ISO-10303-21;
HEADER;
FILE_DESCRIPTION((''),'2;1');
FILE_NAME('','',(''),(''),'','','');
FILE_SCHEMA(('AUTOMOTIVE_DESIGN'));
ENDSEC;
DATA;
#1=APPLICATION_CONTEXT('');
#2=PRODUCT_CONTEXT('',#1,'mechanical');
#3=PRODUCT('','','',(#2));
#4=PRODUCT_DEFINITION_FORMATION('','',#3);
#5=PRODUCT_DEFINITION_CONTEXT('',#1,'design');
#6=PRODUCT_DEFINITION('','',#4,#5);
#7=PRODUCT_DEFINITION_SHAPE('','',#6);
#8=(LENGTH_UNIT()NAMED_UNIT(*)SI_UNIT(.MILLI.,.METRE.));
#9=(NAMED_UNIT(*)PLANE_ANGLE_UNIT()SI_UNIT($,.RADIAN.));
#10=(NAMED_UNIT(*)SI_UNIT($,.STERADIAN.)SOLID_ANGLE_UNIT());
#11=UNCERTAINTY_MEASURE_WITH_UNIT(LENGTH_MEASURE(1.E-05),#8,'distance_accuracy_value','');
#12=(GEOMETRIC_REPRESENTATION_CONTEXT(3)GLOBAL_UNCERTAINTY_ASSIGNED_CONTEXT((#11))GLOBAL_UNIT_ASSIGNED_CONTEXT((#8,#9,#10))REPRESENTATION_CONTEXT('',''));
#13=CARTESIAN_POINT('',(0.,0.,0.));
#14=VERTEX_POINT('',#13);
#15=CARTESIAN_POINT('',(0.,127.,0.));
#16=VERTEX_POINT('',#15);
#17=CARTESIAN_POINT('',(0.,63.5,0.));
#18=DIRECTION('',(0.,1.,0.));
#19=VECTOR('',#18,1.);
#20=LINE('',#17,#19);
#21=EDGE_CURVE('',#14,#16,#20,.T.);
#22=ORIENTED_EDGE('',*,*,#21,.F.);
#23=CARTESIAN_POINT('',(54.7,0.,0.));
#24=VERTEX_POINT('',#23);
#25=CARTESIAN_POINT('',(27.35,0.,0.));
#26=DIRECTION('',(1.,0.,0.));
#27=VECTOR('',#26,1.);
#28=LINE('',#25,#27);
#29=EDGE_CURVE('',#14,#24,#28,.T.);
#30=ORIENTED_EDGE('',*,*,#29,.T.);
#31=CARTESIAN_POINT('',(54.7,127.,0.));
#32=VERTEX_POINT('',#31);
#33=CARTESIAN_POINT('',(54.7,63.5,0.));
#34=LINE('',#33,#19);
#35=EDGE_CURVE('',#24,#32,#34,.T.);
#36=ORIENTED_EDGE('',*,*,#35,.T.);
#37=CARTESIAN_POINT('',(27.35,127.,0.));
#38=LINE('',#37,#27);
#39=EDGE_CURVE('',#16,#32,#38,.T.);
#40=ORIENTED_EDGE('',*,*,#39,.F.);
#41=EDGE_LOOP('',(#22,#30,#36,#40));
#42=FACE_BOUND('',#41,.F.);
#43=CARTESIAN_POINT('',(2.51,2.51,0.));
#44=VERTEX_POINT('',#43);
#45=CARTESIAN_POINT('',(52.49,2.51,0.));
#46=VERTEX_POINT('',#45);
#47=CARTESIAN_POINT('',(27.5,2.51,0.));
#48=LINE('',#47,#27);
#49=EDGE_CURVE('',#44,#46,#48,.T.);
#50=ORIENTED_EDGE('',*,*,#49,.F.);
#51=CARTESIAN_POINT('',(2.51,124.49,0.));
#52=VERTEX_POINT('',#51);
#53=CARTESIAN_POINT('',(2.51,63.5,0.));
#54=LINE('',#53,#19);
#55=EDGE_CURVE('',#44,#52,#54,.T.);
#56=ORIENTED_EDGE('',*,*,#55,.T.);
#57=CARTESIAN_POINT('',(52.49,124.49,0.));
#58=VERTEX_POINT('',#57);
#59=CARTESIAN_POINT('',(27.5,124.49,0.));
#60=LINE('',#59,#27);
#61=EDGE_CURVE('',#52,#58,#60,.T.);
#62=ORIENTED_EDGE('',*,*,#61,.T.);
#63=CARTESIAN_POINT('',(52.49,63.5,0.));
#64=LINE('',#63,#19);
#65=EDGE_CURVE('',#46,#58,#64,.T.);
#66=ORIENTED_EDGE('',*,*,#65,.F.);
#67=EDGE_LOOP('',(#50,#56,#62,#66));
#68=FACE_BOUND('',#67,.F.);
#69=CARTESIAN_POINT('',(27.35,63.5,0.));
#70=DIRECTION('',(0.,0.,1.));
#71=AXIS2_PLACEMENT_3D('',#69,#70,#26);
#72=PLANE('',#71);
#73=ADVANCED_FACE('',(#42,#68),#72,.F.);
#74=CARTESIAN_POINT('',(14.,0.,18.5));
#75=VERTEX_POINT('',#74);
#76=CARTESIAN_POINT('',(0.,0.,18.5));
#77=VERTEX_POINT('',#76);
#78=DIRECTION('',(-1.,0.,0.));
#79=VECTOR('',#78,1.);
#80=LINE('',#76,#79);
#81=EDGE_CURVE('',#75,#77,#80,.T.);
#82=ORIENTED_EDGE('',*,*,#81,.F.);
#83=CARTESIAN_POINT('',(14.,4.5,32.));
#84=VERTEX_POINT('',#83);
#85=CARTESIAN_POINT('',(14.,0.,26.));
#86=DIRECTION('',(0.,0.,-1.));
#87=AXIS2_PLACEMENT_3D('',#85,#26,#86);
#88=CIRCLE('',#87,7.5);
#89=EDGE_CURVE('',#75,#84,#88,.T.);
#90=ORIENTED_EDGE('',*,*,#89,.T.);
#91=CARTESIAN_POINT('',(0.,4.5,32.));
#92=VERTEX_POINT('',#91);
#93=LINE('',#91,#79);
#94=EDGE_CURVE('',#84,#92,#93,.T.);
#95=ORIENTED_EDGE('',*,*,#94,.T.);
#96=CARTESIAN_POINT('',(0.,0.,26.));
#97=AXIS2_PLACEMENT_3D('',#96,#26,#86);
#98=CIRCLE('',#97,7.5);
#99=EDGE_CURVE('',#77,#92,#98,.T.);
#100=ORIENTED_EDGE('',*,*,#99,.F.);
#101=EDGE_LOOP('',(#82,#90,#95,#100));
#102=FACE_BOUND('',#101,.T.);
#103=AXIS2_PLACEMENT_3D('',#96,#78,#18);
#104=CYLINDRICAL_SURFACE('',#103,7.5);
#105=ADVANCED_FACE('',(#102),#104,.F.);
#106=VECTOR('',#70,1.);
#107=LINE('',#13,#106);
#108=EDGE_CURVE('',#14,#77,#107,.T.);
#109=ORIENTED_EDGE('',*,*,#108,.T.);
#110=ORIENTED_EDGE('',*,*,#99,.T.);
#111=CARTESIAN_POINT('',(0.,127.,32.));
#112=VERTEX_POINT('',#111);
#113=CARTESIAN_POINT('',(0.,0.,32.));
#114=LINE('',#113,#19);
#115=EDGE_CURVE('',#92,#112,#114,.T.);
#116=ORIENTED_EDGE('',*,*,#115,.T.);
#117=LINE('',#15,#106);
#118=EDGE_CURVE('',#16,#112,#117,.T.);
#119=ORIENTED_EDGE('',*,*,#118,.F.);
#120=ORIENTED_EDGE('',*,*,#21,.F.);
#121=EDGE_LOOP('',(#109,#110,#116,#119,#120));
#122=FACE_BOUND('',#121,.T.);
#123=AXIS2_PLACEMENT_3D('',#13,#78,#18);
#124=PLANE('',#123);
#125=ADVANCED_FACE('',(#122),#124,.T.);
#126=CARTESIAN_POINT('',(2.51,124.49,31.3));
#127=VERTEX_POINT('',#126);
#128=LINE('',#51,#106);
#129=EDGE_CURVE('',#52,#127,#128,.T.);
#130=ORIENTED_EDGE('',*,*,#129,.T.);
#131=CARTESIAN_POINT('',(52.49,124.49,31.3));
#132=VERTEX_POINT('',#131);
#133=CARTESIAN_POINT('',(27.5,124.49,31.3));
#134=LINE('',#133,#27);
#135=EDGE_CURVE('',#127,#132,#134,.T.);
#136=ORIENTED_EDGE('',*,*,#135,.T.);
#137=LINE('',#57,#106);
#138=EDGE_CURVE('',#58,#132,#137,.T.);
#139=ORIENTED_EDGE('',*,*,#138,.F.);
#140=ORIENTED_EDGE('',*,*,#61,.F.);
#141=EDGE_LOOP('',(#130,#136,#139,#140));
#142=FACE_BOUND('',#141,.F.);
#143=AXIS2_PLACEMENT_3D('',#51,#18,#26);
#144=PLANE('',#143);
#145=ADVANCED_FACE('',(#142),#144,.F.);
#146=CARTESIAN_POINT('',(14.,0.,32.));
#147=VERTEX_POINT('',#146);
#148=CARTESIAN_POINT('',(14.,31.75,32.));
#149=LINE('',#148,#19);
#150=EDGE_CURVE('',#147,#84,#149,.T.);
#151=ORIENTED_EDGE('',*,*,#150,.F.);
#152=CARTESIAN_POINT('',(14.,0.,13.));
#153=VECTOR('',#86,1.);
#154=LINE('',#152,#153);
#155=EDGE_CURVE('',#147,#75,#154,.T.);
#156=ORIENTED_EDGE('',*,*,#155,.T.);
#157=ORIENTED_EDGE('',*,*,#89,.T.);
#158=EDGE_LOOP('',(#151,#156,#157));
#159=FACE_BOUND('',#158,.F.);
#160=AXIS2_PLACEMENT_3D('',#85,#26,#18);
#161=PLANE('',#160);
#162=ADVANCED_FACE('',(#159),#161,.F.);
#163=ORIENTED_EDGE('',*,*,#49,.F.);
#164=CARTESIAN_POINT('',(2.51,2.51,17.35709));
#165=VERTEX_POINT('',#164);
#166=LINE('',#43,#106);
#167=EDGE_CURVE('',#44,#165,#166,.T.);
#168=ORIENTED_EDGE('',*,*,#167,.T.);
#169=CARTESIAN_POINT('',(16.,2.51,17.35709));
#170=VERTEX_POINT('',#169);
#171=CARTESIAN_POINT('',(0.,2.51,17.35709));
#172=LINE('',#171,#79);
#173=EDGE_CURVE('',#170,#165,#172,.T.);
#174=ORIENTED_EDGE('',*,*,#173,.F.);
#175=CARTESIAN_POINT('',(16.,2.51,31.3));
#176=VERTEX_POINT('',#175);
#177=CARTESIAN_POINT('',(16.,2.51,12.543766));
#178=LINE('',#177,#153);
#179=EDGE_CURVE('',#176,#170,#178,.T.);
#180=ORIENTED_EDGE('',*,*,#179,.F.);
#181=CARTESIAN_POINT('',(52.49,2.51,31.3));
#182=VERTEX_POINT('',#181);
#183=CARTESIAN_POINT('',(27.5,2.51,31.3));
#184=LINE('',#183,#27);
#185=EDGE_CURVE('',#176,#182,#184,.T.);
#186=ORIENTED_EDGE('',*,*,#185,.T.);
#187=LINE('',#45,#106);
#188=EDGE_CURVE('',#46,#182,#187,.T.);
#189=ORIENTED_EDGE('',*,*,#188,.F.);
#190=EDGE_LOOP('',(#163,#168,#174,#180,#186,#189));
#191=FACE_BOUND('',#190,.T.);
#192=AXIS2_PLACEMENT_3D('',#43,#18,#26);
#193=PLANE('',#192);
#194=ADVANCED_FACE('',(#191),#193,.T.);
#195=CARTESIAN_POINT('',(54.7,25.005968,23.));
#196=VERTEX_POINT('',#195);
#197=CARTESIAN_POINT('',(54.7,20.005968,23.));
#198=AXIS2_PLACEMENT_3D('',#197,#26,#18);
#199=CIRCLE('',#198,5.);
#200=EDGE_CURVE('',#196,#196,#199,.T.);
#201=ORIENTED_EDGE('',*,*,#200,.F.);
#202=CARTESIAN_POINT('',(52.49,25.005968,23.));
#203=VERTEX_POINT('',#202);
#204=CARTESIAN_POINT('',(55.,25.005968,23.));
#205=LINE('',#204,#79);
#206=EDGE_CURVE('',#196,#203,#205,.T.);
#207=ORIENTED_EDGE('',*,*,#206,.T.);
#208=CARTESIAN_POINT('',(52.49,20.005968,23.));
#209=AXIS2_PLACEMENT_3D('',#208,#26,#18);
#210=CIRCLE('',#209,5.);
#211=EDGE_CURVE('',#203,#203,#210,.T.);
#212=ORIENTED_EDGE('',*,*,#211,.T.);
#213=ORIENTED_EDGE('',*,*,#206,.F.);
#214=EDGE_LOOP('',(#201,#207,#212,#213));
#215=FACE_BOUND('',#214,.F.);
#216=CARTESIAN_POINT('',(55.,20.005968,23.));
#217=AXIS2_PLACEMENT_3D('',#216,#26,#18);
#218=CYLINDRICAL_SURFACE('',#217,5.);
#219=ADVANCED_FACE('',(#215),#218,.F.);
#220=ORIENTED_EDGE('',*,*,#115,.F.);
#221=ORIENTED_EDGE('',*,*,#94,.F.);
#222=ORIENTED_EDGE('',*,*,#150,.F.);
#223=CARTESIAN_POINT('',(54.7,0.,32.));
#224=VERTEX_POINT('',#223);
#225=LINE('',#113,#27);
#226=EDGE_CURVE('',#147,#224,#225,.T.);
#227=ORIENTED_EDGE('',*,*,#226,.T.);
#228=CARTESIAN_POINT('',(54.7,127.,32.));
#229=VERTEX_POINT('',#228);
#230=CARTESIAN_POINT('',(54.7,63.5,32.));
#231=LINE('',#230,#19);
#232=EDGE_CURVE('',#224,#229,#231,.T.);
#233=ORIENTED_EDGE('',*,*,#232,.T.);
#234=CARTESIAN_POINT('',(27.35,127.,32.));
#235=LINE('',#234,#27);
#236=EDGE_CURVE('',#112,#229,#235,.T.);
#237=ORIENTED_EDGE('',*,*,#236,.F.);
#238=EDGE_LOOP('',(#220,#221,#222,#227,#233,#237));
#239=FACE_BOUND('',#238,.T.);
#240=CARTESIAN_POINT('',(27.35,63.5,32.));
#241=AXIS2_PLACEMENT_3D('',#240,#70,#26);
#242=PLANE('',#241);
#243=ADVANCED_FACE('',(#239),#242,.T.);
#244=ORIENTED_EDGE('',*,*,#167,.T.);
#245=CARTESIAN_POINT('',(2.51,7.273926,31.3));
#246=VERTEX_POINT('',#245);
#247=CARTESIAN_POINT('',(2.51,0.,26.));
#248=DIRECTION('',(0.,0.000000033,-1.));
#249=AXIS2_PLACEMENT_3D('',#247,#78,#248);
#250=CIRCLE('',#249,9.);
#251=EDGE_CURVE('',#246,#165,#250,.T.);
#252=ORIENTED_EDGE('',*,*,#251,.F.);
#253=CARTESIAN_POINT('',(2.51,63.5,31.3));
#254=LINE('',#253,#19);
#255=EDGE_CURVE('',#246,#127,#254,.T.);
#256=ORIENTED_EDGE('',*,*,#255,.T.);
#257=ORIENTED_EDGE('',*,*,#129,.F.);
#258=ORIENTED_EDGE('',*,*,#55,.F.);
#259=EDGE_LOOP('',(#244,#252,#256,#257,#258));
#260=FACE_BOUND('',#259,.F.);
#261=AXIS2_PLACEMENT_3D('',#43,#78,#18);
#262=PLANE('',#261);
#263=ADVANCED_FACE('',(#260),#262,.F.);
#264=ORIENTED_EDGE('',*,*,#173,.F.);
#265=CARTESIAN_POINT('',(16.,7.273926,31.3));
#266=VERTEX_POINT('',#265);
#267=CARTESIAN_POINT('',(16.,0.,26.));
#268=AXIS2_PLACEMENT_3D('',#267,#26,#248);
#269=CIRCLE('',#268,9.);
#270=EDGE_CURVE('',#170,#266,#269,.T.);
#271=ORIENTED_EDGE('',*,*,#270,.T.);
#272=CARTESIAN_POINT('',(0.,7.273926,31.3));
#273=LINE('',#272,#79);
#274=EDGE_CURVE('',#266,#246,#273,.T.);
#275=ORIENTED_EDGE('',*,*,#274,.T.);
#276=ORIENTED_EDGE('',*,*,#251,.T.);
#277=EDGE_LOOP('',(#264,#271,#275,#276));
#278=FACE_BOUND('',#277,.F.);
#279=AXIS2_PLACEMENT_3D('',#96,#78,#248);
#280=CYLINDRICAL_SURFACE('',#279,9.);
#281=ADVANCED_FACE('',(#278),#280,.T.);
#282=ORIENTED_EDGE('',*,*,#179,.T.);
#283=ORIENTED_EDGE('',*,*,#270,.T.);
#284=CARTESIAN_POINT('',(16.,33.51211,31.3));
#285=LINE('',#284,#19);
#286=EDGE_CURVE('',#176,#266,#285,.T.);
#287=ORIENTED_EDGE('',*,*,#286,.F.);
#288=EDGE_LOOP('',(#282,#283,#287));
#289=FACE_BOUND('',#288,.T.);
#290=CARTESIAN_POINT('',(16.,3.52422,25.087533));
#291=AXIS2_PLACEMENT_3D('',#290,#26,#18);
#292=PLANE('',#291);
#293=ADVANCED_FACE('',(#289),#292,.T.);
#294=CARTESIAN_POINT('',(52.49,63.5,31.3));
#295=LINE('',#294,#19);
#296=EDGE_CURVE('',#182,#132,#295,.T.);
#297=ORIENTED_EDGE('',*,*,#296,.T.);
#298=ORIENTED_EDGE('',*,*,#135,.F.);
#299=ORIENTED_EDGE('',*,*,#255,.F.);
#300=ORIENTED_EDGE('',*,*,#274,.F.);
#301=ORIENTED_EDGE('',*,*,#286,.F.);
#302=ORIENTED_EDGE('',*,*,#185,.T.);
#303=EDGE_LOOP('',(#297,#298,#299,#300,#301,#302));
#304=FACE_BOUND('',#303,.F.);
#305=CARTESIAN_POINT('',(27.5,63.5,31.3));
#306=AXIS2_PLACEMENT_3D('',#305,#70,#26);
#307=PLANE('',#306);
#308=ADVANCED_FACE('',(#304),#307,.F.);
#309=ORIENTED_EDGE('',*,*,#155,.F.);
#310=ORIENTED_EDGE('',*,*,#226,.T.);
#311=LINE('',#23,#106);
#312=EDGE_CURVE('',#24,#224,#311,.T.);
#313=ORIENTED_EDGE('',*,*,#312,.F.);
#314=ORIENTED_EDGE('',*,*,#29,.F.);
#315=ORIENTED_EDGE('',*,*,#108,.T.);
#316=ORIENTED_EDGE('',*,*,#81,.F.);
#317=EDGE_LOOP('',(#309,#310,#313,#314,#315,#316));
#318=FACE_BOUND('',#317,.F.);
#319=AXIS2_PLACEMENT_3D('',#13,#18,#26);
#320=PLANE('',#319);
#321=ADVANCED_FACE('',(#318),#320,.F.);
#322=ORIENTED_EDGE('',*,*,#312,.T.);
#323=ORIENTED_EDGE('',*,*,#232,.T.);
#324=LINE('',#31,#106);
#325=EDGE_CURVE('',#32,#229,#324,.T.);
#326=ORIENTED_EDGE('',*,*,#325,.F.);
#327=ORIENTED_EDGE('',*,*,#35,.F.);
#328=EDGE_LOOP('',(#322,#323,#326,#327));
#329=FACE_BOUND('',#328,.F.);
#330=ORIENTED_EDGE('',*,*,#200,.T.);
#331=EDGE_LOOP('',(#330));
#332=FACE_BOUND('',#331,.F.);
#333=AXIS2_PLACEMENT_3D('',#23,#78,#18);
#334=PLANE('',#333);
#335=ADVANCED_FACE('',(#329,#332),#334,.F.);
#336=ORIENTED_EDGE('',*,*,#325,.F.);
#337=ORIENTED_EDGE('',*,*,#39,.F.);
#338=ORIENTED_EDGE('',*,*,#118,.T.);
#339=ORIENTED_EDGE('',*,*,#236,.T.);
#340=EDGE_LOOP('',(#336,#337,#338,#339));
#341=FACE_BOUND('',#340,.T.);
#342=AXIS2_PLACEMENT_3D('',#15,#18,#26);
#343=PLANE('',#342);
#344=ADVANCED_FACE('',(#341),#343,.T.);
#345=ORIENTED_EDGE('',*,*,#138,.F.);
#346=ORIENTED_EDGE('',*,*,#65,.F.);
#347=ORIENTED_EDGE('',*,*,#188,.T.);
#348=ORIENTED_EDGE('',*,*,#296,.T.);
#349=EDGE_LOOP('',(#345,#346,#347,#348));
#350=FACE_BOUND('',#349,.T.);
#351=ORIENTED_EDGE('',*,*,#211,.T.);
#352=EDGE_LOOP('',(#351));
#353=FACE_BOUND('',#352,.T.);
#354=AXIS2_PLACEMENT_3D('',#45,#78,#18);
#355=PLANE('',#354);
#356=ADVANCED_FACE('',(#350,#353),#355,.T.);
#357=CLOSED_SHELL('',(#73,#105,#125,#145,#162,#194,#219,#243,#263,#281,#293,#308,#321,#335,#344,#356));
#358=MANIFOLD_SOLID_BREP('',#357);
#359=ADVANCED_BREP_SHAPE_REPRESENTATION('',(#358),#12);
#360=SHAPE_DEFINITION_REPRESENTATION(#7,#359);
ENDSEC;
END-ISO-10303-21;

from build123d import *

# Parameters (mm, degrees)
SKETCH_W        = 54.7
SKETCH_H        = 127
PAD_DEPTH       = 32
SKETCH001_W     = 49.98
SKETCH001_H     = 121.98
POCKET_DEPTH    = 31.3
PAD001_DEPTH    = 16
SKETCH002_R     = 7.5
POCKET001_DEPTH = 14
SKETCH004_R     = 5
POCKET002_DEPTH = 5


with BuildPart() as part:
    # Sketch → Pad (new body)
    with BuildSketch(Plane.XY):
        with Locations((27.35, 63.5)):
            Rectangle(SKETCH_W, SKETCH_H)
    extrude(amount=PAD_DEPTH)

    # Sketch001 → Pocket (cut)
    with BuildSketch(Plane.XY):
        with Locations((27.5, 63.5)):
            Rectangle(SKETCH001_W, SKETCH001_H)
    extrude(amount=POCKET_DEPTH, mode=Mode.SUBTRACT)

    # Sketch003 → Pad001 (join)
    with BuildSketch(Plane.YZ):
        with BuildLine():
            ThreePointArc((0, 17), (8.215838, 22.325765), (6.708204, 32))
            Line((0, 32), (6.708204, 32))
            Line((0, 32), (0, 17))
        make_face()
    extrude(amount=PAD001_DEPTH)

    # Sketch002 → Pocket001 (cut)
    with BuildSketch(Plane.YZ):
        with Locations((0, 26)):
            Circle(SKETCH002_R)
    extrude(amount=POCKET001_DEPTH, mode=Mode.SUBTRACT)

    # Sketch004 (on DatumPlane) → Pocket002 (cut)
    with BuildSketch(Plane.YZ.offset(55)):
        with Locations((20.005968, 23)):
            Circle(SKETCH004_R)
    extrude(amount=-POCKET002_DEPTH, mode=Mode.SUBTRACT)


solid = part.part
